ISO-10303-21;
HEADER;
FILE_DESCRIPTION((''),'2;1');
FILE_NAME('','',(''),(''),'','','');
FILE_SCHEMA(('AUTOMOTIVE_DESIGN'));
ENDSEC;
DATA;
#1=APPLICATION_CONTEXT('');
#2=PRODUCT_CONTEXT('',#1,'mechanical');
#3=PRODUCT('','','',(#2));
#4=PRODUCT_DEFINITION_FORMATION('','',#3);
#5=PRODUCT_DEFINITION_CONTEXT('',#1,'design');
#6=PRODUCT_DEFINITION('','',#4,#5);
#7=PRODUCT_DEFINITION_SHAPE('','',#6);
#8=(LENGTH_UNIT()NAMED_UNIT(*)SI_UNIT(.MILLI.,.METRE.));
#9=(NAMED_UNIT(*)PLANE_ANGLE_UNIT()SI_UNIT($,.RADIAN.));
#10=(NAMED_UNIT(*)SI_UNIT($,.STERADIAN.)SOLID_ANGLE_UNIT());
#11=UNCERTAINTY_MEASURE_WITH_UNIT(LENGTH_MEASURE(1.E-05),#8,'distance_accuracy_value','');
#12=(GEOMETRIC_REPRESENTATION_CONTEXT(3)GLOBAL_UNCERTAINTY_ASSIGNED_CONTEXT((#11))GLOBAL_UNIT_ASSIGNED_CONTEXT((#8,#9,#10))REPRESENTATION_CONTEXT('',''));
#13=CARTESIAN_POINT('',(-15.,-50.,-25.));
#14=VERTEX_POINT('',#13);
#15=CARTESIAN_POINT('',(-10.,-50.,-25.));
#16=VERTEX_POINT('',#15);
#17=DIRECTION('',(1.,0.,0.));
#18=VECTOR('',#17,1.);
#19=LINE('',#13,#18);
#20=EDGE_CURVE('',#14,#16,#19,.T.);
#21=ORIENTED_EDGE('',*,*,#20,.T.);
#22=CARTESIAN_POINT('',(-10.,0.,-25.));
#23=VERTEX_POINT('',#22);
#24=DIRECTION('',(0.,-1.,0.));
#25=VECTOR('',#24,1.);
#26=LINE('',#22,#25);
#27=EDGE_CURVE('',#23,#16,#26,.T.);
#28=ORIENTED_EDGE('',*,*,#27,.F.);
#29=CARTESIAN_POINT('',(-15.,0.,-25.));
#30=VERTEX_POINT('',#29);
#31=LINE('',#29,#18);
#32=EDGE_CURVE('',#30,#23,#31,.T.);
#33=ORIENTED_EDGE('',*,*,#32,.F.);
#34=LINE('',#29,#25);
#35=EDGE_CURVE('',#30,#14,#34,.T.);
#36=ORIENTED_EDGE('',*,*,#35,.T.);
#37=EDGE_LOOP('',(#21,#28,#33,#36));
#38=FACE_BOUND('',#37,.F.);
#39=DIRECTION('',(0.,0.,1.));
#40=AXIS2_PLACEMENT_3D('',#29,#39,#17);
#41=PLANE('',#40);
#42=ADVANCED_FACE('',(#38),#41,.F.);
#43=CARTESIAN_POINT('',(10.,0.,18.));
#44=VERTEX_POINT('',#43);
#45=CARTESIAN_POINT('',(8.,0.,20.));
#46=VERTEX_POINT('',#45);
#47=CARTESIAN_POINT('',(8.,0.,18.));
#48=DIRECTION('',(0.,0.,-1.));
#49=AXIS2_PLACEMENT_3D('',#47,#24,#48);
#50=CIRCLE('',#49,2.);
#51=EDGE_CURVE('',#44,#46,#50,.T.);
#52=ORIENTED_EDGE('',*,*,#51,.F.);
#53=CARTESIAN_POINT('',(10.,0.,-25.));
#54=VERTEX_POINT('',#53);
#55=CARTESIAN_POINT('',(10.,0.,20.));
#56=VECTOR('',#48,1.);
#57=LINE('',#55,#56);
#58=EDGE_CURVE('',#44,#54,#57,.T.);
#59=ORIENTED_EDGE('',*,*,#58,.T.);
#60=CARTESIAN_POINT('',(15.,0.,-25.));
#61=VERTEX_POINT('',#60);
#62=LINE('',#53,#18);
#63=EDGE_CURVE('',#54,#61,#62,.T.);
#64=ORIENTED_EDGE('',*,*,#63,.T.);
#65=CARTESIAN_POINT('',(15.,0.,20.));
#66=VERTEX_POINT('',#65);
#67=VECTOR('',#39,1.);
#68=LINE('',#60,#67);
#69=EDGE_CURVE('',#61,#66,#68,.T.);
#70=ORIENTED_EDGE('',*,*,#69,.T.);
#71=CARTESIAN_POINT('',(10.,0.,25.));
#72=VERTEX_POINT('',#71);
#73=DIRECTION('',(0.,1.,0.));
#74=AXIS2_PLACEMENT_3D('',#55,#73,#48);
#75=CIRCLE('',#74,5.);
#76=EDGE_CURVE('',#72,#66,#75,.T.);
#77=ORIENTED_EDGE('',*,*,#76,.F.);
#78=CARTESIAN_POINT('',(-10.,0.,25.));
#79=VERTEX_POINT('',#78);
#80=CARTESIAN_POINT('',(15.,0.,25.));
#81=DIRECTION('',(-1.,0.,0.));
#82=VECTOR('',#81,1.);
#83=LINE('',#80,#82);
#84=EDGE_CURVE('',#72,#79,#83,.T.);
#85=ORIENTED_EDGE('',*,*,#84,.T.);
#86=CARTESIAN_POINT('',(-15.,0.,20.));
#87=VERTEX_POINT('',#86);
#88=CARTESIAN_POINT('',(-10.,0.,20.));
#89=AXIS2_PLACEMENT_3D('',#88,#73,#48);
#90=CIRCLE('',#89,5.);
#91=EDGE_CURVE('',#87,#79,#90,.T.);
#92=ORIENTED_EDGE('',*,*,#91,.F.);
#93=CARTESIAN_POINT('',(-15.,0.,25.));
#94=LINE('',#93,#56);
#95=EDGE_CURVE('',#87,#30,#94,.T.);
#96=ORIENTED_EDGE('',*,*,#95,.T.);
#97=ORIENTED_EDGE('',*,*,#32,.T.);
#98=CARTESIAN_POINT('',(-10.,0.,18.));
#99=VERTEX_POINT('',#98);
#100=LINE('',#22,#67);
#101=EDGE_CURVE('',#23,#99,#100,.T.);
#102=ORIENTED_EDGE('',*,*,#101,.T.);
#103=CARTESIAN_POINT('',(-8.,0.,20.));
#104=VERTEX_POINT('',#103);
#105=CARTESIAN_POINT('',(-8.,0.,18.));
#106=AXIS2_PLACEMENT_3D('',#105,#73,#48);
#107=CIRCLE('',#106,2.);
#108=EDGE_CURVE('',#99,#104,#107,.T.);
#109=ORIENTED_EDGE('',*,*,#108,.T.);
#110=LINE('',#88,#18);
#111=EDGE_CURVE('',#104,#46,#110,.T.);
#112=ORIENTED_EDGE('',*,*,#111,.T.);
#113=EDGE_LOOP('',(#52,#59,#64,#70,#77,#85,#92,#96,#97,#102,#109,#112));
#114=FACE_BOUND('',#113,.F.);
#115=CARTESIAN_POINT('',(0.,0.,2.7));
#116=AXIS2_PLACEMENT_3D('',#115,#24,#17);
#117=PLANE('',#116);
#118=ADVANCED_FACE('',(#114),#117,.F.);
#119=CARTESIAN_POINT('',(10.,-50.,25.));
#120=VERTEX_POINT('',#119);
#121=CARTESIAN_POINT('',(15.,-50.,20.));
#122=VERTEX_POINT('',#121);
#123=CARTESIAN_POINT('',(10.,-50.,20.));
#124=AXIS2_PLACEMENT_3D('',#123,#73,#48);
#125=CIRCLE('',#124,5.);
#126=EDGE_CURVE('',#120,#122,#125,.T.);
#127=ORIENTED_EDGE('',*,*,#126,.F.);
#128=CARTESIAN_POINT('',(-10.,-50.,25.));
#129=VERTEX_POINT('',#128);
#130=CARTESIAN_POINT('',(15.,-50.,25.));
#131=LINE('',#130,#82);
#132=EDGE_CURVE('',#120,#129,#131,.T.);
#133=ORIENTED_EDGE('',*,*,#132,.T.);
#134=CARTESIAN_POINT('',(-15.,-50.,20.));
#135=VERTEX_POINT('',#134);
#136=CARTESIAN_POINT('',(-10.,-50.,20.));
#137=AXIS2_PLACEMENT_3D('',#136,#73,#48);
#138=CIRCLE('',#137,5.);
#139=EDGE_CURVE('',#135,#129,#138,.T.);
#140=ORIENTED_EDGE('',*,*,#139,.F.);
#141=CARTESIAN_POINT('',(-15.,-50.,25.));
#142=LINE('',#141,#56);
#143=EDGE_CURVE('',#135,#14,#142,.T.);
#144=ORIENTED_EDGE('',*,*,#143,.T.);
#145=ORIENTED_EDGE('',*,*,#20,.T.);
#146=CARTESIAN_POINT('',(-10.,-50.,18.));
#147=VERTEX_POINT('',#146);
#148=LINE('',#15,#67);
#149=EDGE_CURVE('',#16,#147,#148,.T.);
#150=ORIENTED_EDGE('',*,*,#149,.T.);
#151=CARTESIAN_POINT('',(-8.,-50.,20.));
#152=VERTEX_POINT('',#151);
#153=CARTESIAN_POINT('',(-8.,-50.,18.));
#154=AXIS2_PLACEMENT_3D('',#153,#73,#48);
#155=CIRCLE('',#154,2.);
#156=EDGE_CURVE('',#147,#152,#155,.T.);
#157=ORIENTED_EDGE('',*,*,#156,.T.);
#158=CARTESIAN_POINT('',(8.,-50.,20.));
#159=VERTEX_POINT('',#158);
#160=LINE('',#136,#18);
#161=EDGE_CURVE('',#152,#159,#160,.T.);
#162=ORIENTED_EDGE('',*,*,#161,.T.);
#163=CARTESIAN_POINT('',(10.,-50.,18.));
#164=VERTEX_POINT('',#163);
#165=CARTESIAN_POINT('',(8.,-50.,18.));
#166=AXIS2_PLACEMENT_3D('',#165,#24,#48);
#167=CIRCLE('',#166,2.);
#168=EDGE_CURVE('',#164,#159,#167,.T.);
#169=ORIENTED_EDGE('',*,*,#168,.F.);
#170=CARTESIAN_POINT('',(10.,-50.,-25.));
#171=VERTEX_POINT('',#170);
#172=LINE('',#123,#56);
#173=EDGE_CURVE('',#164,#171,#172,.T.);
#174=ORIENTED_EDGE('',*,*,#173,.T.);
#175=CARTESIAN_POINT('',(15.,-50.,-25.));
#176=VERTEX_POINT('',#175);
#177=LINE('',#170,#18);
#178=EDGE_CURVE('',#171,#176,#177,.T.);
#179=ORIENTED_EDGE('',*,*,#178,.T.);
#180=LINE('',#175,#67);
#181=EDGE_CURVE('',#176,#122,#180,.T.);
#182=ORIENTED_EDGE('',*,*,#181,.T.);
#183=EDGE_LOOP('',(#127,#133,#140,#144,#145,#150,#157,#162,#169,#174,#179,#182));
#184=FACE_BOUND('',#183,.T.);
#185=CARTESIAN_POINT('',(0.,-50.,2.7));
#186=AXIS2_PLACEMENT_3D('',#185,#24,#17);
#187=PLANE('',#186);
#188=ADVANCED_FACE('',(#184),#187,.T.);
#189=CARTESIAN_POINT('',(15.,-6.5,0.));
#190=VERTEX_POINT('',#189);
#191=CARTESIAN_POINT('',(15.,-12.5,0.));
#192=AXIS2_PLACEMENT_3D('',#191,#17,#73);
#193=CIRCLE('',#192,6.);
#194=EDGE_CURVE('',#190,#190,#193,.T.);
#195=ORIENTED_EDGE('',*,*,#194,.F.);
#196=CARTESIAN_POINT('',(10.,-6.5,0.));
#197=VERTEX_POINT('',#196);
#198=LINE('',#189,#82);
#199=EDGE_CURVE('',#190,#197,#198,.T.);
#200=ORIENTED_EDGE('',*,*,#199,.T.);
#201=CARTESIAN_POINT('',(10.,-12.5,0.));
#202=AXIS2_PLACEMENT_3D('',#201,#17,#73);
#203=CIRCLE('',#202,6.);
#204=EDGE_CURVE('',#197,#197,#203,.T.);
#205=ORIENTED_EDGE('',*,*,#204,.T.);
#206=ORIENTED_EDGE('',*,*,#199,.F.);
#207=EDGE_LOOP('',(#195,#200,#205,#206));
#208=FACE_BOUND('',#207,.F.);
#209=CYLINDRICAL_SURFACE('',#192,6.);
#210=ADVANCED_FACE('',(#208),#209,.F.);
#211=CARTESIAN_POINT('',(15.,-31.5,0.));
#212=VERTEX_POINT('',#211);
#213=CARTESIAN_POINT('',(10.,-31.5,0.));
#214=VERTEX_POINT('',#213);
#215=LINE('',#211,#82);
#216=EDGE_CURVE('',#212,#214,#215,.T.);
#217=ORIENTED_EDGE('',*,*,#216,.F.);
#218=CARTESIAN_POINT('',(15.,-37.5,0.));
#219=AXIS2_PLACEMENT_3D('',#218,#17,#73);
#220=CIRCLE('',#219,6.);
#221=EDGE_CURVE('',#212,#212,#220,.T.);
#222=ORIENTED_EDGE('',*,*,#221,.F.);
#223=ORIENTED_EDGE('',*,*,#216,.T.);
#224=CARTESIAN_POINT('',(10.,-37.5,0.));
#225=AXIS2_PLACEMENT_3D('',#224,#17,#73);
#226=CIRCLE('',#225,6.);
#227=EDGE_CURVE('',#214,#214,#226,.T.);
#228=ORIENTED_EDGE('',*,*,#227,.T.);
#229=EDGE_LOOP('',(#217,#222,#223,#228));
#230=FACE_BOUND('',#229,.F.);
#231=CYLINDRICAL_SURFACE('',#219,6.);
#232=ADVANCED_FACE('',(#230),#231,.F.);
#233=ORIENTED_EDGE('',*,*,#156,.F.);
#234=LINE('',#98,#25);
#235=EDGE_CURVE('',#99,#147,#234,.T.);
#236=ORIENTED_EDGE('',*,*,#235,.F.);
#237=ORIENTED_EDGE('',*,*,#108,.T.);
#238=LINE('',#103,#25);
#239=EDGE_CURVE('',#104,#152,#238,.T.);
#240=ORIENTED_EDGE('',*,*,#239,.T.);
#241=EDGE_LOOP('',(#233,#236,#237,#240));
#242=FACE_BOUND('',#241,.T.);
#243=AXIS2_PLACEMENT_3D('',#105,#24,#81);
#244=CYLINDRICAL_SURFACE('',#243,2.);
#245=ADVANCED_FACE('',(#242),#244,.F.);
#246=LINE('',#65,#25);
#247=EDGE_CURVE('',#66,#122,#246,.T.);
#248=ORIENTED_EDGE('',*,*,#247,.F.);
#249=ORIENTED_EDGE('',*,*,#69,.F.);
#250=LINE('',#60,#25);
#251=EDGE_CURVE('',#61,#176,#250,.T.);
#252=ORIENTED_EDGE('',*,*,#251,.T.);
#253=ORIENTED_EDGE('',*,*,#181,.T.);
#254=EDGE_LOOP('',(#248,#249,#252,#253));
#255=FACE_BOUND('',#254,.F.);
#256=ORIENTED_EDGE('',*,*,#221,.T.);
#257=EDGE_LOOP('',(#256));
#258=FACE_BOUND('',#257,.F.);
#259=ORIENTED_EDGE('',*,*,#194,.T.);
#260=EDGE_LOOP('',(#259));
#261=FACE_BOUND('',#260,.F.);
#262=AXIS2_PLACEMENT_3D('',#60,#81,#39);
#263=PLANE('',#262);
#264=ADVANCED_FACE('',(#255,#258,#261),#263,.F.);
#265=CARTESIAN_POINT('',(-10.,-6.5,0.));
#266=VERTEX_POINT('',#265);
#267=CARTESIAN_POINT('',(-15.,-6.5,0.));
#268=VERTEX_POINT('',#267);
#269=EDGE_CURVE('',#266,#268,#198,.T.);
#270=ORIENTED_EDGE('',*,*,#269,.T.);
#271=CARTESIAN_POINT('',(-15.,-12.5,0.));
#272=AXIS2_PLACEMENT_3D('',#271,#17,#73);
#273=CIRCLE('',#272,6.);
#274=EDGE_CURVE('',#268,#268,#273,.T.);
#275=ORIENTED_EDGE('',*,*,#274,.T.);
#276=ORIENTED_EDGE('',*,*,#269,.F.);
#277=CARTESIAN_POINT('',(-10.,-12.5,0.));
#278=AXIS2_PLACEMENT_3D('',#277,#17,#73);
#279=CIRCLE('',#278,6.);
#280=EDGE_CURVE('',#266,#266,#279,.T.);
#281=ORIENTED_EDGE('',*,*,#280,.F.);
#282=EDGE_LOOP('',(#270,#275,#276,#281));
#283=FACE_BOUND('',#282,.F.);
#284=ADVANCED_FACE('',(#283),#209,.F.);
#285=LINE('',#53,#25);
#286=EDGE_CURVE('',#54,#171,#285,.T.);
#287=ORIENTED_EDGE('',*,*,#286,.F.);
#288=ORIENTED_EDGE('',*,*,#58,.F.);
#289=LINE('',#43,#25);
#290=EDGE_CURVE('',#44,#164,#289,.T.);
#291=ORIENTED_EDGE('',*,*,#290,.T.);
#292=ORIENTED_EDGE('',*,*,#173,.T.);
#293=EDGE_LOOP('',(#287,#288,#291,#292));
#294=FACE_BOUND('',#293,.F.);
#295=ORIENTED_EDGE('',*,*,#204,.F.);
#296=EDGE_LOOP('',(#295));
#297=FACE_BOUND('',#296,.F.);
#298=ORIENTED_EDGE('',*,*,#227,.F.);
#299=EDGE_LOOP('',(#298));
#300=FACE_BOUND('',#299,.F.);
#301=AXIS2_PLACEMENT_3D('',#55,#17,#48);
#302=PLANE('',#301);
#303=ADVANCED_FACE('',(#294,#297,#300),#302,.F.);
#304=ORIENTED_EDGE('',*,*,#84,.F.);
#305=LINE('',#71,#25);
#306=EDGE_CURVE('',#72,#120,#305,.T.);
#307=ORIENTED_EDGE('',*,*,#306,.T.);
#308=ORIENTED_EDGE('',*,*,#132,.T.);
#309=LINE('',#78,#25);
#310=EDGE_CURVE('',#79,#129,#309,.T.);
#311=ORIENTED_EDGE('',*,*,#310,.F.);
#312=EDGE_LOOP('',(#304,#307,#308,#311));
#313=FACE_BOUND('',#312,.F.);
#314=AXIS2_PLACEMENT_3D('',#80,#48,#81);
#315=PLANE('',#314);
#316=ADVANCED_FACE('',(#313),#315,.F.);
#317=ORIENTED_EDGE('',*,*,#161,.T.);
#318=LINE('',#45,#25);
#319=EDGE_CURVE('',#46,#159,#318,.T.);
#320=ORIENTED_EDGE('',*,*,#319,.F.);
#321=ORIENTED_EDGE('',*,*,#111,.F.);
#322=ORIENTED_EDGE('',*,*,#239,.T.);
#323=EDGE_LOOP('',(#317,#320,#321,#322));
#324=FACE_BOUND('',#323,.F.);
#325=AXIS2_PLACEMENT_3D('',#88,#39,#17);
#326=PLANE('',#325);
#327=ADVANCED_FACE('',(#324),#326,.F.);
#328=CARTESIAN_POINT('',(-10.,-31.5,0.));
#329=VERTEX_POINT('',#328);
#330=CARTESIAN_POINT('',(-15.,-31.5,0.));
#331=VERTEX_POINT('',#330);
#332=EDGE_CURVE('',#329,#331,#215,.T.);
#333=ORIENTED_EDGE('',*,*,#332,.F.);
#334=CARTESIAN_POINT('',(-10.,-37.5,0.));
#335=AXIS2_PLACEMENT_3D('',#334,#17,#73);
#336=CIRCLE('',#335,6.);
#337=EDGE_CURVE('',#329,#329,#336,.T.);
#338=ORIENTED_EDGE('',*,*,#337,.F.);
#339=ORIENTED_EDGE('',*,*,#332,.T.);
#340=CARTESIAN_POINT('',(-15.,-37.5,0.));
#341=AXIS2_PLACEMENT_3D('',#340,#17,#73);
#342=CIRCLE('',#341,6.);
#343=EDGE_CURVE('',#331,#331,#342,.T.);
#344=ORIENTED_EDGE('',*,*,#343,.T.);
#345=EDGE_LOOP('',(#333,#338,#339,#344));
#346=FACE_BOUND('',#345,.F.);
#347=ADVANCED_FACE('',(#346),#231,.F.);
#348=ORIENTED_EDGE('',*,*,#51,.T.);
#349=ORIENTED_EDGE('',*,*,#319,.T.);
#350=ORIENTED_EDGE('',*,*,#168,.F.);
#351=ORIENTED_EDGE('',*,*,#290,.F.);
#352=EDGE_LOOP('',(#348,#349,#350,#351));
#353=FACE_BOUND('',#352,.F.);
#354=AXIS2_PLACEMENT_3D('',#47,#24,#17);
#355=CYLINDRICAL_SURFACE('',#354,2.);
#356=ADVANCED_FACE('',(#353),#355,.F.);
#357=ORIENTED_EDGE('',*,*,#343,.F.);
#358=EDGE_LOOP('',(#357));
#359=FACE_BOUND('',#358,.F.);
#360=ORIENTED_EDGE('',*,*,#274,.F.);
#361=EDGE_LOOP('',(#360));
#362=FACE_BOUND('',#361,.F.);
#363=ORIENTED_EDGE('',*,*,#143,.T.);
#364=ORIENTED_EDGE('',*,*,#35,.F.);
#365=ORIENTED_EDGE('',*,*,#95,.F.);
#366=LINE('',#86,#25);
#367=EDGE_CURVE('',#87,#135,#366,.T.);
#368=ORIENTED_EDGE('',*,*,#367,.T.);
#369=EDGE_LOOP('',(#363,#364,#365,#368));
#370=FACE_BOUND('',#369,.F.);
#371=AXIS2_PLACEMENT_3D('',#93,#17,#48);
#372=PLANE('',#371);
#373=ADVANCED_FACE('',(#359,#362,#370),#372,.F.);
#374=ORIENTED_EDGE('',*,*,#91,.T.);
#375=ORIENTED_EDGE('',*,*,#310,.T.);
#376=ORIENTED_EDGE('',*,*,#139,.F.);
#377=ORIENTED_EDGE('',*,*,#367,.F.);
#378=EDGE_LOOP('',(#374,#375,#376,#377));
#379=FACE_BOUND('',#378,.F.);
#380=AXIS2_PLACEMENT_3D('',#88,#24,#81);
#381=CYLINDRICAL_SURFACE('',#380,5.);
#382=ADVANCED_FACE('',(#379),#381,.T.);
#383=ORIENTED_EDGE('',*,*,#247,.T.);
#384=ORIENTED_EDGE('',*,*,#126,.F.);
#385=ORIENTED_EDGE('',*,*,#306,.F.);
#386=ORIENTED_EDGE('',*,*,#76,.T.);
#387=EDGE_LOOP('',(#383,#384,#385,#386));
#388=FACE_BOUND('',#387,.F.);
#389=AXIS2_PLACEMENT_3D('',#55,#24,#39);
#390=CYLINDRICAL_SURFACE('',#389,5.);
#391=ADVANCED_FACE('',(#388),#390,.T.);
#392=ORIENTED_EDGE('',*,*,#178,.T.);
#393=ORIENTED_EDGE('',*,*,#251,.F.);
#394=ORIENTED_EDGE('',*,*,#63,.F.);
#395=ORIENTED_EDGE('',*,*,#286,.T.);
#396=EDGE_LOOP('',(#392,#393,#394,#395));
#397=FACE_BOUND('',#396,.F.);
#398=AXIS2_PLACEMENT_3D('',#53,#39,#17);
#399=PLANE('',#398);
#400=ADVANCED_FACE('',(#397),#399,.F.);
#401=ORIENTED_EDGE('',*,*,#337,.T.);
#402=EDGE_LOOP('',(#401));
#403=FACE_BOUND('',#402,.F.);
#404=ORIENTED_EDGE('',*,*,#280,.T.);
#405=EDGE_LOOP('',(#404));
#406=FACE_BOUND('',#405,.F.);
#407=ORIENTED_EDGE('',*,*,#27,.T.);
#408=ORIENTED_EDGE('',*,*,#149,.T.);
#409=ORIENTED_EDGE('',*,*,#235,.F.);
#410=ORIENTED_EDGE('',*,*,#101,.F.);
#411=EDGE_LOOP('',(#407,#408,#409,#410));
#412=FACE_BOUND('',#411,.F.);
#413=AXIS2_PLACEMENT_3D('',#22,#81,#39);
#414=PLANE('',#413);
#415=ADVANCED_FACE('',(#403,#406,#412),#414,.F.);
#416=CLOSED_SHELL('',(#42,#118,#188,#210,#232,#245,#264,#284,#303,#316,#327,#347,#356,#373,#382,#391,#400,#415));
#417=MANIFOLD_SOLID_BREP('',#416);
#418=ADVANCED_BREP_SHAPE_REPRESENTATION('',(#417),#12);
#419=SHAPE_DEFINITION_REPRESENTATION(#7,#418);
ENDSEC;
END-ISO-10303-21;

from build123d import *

# Parameters (mm, degrees)
F1_DEPTH = 50
F2_R     = 6
F3_DEPTH = 30
F4_R     = 2
F5_R     = 5


with BuildPart() as f1:
    # F0 (on Front) → F1 (new body)
    with BuildSketch(Plane.XZ):
        Polygon((15, -25), (15, 25), (-15, 25), (-15, -25), (-10, -25), (-10, 20), (10, 20), (10, -25), align=None)
    extrude(amount=F1_DEPTH)

    # F2 (on face) → F3 (cut, through all)
    with BuildSketch(Plane.YZ.offset(15)):
        with Locations((-37.5, 0)):
            Circle(F2_R)
        with Locations((-12.5, 0)):
            Circle(F2_R)
    extrude(amount=-F3_DEPTH, mode=Mode.SUBTRACT)

    # F4
    f4_edges = [f1.edges().sort_by_distance(p)[0] for p in [
        (-10, -25, 20),
        (10, -25, 20),
    ]]
    fillet(f4_edges, radius=F4_R)

    # F5
    f5_edges = [f1.edges().sort_by_distance(p)[0] for p in [
        (15, -25, 25),
        (-15, -25, 25),
    ]]
    fillet(f5_edges, radius=F5_R)


solid = f1.part
